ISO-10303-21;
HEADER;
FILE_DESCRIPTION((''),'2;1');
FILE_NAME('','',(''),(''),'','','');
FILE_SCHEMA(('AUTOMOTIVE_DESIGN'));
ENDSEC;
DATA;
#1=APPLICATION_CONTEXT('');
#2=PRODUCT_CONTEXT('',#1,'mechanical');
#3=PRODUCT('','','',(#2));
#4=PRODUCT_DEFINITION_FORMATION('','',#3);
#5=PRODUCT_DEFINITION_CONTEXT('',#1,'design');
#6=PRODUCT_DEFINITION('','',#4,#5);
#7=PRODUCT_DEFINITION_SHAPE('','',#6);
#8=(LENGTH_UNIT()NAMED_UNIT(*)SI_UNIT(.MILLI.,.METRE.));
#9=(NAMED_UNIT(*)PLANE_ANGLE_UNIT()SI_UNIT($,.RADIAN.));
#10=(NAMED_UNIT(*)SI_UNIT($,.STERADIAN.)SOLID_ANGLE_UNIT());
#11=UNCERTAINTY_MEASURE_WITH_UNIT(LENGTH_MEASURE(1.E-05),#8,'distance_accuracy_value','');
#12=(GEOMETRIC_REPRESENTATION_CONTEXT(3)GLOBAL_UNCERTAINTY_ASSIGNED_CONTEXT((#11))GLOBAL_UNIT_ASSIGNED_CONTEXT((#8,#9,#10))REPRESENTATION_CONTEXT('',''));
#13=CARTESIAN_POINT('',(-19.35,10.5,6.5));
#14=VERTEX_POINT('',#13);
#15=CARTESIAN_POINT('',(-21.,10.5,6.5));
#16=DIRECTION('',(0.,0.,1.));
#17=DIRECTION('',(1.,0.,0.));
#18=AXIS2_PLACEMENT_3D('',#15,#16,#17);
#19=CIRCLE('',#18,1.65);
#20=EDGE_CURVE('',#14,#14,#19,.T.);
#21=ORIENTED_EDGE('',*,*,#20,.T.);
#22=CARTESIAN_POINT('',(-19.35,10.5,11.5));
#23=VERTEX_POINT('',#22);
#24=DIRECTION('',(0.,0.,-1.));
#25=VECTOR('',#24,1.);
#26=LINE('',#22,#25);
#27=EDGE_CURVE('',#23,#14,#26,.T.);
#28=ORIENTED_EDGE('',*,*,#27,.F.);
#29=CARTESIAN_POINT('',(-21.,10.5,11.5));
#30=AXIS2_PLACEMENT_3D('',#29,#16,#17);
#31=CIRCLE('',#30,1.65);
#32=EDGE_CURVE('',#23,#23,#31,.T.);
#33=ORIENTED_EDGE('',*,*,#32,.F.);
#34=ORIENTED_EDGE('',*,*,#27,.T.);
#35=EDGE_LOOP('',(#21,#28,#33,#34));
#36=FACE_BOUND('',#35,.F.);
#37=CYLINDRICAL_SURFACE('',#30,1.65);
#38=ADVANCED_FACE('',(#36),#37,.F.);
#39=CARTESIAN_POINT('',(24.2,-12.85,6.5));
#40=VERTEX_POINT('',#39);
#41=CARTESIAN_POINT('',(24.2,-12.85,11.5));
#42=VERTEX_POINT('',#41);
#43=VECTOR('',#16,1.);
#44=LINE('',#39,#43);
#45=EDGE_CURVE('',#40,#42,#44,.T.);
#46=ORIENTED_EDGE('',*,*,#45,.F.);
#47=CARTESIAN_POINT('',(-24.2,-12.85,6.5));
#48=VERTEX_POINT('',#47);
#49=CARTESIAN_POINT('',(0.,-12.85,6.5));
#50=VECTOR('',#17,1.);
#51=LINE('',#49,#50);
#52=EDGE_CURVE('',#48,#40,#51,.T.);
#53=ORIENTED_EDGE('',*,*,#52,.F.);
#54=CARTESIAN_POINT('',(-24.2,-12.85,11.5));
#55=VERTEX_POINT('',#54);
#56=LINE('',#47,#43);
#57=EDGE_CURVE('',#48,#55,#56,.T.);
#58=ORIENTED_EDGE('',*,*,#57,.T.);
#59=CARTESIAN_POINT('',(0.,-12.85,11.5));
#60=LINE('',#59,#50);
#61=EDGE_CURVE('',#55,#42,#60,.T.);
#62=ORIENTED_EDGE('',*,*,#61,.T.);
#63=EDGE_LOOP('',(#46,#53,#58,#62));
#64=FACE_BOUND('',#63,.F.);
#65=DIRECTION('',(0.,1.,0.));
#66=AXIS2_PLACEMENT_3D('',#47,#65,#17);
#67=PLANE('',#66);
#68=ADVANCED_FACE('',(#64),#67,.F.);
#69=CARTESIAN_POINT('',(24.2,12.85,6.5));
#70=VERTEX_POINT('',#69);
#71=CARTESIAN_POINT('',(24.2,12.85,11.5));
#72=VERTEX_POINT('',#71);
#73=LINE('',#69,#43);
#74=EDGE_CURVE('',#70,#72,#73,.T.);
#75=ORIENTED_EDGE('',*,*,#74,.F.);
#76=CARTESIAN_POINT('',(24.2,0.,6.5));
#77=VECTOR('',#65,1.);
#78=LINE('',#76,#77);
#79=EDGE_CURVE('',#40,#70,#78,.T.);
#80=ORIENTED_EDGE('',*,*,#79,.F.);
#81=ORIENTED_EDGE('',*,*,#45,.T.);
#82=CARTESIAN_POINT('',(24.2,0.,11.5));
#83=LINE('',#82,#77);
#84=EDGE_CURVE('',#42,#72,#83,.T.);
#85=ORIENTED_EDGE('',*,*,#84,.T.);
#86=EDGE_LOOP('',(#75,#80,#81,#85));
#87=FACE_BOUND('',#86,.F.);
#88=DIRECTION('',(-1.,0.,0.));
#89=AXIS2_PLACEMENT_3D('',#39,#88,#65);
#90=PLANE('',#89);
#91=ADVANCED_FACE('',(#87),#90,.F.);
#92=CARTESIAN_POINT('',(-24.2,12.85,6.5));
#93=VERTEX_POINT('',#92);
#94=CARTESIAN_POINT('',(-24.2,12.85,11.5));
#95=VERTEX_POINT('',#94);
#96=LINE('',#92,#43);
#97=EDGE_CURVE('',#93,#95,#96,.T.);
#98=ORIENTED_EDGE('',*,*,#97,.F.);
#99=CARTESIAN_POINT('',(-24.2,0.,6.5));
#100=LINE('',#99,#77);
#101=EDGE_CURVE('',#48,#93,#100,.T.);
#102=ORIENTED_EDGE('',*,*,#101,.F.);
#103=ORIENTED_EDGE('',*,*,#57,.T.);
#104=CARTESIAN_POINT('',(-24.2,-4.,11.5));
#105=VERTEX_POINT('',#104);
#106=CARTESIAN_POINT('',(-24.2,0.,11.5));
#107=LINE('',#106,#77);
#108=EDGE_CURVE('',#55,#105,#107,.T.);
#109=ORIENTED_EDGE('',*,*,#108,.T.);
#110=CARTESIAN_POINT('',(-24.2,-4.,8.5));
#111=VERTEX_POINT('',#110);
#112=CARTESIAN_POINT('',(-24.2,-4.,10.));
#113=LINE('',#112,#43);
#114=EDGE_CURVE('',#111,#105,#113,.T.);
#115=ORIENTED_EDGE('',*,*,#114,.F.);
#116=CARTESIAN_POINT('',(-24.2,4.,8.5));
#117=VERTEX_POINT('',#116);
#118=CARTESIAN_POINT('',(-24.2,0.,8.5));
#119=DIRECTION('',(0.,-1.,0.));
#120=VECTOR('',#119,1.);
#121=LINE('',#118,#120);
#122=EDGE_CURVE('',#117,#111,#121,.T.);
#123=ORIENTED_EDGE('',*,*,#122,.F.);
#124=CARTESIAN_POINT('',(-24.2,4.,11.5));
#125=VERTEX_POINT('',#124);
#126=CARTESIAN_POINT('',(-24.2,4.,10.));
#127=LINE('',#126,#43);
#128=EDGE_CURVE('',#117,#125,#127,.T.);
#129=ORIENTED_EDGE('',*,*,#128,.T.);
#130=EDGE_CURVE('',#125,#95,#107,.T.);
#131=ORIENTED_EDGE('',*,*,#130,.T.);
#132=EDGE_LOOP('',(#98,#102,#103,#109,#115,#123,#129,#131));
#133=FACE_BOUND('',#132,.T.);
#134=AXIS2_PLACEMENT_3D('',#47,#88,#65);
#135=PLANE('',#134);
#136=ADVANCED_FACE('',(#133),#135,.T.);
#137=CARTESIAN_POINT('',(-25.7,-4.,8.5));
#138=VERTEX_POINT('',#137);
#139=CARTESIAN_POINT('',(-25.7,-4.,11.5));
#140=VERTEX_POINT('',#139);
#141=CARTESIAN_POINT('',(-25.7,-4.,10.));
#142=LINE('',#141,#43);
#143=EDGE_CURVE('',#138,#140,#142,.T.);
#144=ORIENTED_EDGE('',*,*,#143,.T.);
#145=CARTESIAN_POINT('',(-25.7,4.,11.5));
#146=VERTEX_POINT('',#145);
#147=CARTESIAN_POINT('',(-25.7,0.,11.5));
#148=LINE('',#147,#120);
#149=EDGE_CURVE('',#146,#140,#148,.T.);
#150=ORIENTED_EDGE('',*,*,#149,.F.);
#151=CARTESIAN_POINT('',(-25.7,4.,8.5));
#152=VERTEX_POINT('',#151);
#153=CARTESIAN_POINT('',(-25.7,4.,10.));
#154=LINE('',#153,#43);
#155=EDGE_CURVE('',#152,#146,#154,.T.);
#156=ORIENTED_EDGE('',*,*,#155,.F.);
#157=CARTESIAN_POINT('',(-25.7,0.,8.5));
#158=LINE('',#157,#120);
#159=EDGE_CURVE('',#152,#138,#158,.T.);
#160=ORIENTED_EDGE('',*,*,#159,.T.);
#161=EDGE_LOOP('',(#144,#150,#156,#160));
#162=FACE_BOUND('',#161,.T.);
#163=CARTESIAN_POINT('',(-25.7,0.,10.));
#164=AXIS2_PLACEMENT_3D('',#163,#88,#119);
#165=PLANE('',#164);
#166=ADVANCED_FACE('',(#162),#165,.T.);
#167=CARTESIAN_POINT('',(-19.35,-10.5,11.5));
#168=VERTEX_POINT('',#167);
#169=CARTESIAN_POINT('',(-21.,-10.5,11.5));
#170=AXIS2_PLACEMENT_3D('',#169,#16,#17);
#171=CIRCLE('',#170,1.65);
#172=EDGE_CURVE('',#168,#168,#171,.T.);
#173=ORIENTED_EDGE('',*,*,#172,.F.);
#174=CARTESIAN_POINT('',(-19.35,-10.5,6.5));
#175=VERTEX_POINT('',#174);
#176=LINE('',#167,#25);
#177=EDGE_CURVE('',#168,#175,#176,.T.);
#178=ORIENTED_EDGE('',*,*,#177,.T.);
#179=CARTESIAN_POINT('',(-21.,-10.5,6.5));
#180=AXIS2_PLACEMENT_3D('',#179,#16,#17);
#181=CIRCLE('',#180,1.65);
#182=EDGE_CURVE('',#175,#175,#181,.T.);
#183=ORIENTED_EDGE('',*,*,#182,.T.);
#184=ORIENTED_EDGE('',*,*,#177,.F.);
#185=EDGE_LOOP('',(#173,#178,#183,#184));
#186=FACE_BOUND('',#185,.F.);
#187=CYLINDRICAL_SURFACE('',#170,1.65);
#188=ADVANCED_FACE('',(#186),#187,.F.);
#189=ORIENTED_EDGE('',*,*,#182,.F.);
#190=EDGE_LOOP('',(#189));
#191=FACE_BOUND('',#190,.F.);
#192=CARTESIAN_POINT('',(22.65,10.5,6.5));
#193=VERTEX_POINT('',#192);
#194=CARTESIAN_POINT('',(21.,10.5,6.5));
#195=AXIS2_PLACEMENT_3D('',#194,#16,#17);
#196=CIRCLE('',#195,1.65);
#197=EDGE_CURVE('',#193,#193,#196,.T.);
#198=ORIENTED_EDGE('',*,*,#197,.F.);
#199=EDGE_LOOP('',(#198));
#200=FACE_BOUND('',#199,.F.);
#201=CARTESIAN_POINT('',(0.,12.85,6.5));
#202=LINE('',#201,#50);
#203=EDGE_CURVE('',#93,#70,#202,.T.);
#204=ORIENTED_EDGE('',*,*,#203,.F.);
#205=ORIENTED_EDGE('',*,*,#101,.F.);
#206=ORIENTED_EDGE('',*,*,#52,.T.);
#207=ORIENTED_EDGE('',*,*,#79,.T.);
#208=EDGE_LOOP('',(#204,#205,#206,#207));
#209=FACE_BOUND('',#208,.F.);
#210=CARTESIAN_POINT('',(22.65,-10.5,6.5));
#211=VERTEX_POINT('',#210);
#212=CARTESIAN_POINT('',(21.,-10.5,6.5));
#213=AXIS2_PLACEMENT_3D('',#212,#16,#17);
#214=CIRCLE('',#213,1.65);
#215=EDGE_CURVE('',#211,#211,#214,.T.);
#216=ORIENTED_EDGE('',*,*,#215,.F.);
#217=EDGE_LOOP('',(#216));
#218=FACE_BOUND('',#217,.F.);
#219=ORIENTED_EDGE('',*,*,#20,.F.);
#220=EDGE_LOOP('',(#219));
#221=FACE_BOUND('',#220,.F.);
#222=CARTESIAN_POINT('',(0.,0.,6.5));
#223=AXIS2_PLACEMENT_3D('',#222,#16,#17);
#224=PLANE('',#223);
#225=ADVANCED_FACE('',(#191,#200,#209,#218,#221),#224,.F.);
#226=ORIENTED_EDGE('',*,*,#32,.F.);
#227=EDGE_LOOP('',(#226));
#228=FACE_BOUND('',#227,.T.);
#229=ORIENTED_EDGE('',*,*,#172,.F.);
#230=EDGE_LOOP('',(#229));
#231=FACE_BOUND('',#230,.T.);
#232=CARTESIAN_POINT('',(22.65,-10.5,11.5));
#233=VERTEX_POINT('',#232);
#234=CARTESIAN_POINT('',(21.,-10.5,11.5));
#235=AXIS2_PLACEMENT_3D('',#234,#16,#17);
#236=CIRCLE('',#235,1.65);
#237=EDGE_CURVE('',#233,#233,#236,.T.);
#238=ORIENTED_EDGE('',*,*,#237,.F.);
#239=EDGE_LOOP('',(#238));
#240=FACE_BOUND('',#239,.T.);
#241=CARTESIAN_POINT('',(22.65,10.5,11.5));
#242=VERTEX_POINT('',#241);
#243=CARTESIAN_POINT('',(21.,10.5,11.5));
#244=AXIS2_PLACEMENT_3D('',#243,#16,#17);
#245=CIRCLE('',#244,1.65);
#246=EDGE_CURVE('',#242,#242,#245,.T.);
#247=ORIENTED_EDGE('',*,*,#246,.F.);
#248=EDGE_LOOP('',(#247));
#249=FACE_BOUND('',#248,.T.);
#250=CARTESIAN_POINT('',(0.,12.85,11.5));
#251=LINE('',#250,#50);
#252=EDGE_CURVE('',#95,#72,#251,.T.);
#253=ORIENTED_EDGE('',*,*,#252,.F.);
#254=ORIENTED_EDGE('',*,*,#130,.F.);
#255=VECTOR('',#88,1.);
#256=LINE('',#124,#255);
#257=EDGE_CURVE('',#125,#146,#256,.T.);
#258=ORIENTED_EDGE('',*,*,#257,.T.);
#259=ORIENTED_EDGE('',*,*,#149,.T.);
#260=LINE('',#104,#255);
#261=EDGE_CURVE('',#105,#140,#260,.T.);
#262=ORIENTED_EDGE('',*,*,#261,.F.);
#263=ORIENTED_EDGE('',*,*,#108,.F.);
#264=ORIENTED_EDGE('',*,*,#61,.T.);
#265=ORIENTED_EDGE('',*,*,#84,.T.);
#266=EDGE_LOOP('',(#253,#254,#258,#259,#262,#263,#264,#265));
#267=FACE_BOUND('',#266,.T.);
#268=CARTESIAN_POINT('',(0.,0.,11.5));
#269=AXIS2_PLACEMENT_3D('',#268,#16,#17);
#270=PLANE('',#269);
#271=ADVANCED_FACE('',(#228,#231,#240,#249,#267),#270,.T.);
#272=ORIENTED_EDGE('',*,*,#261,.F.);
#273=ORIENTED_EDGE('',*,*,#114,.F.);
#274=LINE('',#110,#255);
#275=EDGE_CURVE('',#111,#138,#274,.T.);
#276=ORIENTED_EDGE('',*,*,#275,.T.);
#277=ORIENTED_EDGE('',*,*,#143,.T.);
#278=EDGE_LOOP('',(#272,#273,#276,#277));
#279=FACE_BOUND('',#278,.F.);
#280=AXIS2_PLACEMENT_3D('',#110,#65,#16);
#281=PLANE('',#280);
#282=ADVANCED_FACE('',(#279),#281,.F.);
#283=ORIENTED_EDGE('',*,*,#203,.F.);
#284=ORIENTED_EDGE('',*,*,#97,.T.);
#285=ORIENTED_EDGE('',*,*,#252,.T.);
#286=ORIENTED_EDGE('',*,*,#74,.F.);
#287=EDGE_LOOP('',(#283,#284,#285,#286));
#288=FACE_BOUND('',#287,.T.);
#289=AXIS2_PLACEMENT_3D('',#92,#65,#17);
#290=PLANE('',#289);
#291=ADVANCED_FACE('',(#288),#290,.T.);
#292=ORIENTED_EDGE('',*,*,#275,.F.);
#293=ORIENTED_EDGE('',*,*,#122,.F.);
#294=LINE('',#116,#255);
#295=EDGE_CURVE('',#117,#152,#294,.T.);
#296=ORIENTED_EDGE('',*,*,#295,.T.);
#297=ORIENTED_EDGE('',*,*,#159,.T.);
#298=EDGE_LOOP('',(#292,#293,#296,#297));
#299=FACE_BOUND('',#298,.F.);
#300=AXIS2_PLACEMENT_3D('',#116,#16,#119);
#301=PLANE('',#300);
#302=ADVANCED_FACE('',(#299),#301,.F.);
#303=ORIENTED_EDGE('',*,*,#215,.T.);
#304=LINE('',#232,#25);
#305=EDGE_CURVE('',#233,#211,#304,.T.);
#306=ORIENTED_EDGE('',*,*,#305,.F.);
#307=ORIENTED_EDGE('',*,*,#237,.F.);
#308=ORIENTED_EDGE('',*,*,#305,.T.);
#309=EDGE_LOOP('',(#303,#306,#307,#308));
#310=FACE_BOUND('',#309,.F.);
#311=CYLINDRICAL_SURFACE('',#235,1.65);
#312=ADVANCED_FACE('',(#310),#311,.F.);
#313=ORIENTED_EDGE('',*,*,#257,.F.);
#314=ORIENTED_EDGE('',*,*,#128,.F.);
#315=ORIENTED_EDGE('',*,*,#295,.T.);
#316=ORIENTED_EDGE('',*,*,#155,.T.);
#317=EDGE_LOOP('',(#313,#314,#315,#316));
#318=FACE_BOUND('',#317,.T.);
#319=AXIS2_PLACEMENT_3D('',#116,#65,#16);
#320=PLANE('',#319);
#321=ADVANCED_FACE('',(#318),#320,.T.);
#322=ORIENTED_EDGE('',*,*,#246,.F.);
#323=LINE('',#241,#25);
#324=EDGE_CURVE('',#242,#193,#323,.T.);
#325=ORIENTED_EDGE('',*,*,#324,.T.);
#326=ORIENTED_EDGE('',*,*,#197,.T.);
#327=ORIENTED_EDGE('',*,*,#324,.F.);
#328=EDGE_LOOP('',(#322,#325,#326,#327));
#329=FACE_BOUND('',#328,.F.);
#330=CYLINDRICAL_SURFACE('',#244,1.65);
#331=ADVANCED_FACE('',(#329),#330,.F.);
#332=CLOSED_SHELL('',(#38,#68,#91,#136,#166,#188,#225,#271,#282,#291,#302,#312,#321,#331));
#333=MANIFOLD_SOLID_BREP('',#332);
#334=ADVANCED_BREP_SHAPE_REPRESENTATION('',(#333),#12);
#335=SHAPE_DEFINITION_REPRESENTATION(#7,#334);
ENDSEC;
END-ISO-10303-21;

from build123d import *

# Parameters (mm, degrees)
SKETCH_W     = 48.4
SKETCH_H     = 25.7
PAD_DEPTH    = 5
SKETCH001_W  = 8
SKETCH001_H  = 3
PAD001_DEPTH = 1.5
SKETCH002_R  = 1.65
POCKET_DEPTH = 5.001


with BuildPart() as part:
    # Sketch → Pad (new body)
    with BuildSketch(Plane.XY):
        Rectangle(SKETCH_W, SKETCH_H)
    extrude(amount=PAD_DEPTH)

    # Sketch001 (on Face4 of Pad) → Pad001 (join)
    with BuildSketch(Plane(origin=(-24.2, 0, 0), x_dir=(0, -1, 0), z_dir=(-1, 0, 0))):
        with Locations((0, 3.5)):
            Rectangle(SKETCH001_W, SKETCH001_H)
    extrude(amount=PAD001_DEPTH)

    # Sketch002 (on Face5 of Pad001) → Pocket (cut, through all)
    with BuildSketch(Plane.XY.offset(5)):
        with Locations((-21, 10.5)):
            Circle(SKETCH002_R)
        with Locations((-21, -10.5)):
            Circle(SKETCH002_R)
        with Locations((21, 10.5)):
            Circle(SKETCH002_R)
        with Locations((21, -10.5)):
            Circle(SKETCH002_R)
    extrude(amount=-POCKET_DEPTH, mode=Mode.SUBTRACT)


with BuildPart() as part_1:
    # Body placement: moved
    add(part.part.moved(Location((0, 0, 6.5))))


solid = part_1.part
